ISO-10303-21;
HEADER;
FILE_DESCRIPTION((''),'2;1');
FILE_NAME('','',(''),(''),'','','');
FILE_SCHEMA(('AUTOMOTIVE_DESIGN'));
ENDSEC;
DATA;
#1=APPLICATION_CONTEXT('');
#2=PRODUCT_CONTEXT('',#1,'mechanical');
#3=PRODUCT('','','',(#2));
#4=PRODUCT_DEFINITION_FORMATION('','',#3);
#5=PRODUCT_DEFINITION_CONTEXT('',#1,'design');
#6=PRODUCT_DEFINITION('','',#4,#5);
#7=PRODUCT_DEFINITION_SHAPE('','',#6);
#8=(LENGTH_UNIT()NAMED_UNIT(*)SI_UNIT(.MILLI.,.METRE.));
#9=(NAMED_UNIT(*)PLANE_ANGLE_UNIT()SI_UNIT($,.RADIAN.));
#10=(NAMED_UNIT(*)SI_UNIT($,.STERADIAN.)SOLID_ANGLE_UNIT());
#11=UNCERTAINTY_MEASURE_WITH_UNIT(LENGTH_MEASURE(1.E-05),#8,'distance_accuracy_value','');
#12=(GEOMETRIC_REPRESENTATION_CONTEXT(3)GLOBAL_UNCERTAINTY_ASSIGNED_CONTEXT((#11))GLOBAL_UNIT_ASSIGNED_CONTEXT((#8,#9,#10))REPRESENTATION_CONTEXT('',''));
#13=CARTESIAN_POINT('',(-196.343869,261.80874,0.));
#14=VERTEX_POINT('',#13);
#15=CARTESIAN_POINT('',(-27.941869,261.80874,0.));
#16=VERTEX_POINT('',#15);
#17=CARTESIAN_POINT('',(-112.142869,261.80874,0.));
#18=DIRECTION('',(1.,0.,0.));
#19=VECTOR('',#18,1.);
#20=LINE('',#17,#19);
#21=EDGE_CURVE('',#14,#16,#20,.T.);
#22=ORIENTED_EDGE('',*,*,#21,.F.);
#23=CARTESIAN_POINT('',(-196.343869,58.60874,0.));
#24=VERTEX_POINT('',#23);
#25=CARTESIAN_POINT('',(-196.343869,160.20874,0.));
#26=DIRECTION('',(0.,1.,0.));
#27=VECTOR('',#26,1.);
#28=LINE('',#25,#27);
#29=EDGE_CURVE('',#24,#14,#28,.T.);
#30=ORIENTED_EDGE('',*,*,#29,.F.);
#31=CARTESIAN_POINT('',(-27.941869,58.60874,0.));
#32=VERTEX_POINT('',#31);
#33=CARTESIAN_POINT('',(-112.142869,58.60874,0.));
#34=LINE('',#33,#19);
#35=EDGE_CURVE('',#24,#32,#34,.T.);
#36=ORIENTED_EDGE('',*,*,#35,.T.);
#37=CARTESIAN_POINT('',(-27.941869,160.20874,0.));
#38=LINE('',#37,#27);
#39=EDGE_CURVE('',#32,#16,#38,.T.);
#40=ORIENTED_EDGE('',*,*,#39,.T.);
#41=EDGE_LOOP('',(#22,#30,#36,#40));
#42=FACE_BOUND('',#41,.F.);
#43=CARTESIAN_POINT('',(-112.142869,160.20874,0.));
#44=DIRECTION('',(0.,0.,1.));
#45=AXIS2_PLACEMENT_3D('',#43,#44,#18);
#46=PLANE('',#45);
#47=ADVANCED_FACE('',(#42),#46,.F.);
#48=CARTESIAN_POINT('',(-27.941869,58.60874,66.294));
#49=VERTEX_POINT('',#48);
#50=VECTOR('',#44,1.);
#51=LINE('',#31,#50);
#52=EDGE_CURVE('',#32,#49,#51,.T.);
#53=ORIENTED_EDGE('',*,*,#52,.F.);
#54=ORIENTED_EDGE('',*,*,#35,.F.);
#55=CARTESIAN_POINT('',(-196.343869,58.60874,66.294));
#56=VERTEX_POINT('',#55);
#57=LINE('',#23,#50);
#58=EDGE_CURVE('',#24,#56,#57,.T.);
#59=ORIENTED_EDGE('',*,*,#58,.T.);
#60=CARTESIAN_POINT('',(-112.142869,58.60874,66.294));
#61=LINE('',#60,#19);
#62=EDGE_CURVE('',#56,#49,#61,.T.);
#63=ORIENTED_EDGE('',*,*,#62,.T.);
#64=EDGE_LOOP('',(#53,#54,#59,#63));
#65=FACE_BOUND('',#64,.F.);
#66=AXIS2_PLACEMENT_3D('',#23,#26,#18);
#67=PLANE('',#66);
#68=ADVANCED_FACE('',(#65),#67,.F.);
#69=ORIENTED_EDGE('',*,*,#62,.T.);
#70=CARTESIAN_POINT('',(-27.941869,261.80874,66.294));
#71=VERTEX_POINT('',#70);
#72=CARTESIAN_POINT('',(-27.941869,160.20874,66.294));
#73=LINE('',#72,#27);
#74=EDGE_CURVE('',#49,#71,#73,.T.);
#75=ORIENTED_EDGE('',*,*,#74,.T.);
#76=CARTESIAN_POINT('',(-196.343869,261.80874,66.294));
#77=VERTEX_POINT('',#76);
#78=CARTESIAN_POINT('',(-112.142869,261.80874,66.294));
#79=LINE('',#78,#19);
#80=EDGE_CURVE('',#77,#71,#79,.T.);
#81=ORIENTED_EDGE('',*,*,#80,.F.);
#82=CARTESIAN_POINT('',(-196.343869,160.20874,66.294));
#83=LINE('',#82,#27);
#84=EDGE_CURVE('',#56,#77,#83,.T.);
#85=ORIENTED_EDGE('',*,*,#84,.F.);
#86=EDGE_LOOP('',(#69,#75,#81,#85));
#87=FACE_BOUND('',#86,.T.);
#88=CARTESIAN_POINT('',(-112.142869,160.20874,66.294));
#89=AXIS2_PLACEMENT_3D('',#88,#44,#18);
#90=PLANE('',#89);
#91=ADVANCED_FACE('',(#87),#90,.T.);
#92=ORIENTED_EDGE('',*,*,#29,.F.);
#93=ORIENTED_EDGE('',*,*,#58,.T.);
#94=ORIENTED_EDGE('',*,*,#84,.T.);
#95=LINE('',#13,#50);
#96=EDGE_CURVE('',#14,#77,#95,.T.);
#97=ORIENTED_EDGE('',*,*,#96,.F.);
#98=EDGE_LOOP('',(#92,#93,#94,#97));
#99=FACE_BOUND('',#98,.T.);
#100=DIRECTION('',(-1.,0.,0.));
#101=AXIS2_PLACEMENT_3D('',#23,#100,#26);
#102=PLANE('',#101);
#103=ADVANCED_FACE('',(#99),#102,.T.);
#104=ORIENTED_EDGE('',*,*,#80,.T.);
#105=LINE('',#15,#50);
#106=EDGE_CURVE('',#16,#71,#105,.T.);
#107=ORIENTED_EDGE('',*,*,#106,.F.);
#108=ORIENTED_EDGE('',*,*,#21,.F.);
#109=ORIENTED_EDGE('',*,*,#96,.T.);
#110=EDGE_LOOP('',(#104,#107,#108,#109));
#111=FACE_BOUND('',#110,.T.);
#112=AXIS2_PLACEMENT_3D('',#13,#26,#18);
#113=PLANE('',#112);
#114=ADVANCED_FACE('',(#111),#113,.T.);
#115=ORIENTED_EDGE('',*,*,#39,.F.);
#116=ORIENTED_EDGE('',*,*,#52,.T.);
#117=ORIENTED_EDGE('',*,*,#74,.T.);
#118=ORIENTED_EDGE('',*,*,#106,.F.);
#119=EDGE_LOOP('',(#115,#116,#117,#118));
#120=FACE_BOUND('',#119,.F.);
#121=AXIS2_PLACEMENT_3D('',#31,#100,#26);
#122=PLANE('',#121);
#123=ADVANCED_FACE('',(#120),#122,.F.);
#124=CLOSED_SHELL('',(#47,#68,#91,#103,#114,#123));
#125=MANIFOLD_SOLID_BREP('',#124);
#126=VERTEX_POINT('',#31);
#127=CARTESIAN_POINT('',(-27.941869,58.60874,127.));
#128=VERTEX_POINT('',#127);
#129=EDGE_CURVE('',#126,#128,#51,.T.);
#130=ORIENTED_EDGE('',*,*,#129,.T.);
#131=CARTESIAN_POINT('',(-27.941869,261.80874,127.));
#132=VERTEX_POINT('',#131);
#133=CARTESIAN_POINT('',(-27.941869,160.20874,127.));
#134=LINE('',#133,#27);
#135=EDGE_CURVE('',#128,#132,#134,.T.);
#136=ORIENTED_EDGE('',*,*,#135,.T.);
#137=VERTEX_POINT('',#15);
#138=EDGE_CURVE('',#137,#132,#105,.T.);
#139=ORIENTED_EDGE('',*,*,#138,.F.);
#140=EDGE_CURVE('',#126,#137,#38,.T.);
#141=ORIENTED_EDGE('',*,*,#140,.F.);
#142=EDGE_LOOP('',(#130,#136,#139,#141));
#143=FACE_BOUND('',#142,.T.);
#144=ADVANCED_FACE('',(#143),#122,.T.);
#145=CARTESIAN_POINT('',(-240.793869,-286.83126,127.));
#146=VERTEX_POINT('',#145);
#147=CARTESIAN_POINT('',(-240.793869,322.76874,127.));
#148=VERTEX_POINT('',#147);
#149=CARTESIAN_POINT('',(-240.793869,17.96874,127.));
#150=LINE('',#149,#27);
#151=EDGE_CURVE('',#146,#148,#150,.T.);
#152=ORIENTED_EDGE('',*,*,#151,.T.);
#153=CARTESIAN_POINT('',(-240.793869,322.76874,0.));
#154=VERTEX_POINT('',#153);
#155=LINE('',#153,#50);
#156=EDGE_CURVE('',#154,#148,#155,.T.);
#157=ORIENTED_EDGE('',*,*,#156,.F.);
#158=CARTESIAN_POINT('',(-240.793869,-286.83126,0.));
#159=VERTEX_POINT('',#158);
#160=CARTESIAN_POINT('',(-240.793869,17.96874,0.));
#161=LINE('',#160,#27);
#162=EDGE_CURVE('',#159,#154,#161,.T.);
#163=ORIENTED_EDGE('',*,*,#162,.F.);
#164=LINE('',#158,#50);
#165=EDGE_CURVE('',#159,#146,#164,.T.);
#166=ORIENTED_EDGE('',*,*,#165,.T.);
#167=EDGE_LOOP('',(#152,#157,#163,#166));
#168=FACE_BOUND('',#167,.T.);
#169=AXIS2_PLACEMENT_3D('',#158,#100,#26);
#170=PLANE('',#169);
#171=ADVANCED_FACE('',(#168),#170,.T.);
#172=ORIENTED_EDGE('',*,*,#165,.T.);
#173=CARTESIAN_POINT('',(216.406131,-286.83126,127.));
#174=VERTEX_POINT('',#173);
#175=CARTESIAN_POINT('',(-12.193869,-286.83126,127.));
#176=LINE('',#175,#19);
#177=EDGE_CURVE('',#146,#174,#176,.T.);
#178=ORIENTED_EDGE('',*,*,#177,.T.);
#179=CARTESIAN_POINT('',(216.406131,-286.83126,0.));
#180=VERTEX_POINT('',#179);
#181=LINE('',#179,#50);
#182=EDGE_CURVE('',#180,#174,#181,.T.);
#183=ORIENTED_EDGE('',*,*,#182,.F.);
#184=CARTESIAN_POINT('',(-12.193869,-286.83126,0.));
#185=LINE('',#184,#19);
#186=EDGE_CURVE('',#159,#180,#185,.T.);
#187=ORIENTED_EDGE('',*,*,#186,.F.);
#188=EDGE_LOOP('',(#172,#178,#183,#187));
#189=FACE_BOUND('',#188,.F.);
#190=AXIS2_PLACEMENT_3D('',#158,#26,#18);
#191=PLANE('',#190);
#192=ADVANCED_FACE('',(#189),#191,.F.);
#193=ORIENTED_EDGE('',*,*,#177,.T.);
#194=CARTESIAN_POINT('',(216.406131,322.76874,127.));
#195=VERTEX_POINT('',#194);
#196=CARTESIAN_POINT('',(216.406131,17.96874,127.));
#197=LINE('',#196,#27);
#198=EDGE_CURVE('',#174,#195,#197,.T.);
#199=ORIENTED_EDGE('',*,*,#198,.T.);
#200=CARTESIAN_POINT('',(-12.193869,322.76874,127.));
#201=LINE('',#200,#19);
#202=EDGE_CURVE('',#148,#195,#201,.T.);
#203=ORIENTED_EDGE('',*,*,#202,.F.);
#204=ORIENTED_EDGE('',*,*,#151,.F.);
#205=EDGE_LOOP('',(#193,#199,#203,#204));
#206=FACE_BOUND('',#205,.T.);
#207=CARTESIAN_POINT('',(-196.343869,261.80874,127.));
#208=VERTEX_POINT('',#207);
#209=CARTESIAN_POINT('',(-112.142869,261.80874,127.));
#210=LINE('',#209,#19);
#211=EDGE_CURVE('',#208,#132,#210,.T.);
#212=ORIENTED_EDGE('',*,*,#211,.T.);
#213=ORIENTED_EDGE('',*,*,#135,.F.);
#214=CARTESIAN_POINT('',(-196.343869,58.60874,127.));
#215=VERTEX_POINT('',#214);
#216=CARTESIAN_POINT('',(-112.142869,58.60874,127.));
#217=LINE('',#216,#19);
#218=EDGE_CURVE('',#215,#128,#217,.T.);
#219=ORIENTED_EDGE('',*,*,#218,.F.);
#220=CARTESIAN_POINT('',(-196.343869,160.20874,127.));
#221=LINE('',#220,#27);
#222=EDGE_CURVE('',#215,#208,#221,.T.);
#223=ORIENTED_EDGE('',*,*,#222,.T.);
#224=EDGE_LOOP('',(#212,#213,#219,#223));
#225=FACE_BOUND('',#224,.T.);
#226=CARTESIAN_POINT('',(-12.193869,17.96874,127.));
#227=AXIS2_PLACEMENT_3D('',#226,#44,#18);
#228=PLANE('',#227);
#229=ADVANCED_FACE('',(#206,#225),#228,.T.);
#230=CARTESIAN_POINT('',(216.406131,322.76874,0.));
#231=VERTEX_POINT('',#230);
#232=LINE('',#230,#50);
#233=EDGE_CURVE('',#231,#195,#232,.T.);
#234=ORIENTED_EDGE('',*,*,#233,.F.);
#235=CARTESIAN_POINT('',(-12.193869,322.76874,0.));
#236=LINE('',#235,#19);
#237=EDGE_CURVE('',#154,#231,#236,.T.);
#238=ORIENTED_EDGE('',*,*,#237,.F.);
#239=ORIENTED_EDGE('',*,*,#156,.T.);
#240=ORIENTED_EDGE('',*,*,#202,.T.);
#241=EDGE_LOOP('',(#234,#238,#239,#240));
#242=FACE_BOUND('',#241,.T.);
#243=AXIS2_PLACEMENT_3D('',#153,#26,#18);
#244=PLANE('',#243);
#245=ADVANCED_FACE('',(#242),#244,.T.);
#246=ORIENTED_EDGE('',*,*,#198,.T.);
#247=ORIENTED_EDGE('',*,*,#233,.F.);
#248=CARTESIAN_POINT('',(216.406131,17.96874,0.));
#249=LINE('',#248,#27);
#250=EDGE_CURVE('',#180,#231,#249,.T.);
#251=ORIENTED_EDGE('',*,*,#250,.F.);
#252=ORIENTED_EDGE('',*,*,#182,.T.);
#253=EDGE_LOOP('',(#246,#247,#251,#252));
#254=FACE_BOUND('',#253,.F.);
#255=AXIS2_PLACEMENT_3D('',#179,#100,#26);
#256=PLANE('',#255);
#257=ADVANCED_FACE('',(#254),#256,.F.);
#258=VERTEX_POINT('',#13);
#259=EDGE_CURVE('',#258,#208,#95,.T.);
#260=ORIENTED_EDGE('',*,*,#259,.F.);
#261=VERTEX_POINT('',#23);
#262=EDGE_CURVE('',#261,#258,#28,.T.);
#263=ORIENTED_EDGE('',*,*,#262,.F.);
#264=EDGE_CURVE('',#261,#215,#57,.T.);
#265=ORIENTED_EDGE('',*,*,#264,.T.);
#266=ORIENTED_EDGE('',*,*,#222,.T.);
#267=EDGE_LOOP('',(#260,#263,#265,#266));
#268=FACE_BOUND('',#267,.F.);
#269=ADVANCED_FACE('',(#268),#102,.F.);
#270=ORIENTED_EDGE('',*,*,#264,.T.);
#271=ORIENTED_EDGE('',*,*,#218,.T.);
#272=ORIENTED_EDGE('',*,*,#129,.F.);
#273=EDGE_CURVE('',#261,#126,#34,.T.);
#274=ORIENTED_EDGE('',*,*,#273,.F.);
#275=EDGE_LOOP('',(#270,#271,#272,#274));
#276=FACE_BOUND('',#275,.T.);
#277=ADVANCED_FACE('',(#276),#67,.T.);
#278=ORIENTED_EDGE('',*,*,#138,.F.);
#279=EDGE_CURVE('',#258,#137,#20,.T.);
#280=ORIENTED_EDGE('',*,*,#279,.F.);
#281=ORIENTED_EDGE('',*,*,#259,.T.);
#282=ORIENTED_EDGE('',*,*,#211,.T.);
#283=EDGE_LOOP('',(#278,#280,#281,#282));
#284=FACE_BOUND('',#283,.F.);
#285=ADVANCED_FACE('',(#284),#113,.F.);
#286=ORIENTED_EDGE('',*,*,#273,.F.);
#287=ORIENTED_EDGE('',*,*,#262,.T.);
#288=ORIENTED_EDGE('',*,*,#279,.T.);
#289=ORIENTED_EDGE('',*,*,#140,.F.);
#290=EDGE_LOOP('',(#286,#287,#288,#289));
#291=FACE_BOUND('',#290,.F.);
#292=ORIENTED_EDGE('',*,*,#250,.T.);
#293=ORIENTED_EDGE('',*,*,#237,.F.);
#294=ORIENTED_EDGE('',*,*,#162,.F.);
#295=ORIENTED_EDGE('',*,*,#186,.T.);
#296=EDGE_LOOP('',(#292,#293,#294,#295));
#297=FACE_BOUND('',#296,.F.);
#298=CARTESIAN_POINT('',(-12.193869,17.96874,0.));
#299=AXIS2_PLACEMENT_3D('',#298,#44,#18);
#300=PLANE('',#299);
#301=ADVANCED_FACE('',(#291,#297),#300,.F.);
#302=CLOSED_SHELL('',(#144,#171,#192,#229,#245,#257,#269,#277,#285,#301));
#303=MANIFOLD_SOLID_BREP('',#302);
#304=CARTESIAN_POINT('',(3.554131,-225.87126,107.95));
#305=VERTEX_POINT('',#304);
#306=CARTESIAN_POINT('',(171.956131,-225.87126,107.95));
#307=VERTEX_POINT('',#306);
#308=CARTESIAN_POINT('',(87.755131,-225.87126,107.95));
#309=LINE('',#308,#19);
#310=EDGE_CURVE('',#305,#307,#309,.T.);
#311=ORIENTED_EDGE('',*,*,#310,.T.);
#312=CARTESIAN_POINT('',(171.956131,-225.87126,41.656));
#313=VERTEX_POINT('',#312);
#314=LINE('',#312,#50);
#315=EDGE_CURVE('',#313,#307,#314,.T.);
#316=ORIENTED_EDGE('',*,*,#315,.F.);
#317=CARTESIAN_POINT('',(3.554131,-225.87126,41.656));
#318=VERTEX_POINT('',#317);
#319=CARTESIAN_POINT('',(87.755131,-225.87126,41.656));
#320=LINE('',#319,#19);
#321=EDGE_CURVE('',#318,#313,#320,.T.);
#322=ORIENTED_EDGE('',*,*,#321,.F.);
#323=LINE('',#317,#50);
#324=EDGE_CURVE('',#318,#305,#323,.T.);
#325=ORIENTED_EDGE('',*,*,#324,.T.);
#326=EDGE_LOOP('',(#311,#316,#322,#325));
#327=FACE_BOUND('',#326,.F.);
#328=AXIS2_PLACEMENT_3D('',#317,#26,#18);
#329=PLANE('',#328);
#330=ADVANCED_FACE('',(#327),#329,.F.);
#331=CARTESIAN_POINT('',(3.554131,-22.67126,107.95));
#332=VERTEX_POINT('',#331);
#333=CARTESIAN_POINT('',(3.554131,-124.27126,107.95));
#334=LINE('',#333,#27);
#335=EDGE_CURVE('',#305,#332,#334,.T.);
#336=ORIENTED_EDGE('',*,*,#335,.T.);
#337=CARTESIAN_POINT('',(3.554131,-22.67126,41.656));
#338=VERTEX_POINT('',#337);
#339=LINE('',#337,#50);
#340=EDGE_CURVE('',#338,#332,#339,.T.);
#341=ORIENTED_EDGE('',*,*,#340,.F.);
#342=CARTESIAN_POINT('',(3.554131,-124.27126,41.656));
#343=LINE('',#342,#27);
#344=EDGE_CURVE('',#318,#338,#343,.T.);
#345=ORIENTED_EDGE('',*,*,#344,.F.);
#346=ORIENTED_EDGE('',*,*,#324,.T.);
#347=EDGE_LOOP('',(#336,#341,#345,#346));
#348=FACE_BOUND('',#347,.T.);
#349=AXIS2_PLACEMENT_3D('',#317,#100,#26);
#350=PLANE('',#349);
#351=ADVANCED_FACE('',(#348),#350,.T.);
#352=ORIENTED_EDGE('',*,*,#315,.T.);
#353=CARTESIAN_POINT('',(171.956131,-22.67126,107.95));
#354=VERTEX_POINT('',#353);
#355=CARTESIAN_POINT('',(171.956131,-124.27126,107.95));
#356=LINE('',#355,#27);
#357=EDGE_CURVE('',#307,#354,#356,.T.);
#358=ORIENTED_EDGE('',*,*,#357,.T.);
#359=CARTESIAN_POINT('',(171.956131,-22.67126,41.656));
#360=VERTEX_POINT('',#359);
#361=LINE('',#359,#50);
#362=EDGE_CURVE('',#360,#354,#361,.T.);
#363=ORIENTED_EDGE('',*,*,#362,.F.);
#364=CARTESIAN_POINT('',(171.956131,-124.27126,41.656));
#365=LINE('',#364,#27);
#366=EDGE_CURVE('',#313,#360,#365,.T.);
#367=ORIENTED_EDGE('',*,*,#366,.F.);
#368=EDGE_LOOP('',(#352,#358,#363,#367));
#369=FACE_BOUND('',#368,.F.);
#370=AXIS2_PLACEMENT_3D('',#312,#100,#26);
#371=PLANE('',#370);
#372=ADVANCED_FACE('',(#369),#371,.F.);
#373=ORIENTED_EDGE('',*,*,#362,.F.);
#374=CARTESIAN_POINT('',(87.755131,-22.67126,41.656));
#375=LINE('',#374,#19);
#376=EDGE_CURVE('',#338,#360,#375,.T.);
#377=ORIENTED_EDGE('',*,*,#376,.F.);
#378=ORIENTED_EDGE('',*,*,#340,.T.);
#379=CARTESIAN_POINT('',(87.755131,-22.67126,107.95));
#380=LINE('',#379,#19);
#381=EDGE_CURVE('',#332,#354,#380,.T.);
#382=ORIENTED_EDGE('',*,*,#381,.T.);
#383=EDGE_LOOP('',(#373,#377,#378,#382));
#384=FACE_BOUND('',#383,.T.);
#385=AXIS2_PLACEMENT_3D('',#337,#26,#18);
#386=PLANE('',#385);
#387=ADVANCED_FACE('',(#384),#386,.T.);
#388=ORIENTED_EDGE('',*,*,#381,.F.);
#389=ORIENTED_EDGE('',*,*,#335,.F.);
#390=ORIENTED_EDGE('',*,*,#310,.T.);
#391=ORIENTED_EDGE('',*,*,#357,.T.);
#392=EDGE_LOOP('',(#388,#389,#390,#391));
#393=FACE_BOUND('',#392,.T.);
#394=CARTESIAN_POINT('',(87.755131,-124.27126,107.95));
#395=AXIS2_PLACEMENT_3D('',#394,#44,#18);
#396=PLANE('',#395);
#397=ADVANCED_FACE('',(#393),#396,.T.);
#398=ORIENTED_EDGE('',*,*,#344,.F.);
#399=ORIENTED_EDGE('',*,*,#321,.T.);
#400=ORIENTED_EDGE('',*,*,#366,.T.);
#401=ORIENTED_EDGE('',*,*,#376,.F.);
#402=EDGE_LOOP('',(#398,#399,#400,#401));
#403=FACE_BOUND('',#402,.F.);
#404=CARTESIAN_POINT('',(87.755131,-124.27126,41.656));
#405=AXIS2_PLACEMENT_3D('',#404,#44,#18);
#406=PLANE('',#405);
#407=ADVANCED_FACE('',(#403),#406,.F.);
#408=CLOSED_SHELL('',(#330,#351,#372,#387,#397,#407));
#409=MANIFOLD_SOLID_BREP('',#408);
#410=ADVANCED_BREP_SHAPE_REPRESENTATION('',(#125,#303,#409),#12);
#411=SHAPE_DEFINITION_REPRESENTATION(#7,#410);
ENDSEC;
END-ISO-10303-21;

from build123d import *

# Parameters (mm, degrees)
F0_W     = 168.402
F0_H     = 203.2
F2_W     = 168.402
F2_H     = 203.2
F3_DEPTH = 66.294
F0_W_2   = 457.2
F0_H_2   = 609.6
F4_DEPTH = 127


with BuildPart() as f3:
    # F0 (on Top) + F2 (on offset) → F3 (new body)
    with BuildSketch(Plane.XY):
        with Locations((-112.142869, 160.20874)):
            Rectangle(F0_W, F0_H)
    with BuildSketch(Plane.XY.offset(41.656)):
        with Locations((87.755131, -124.27126)):
            Rectangle(F2_W, F2_H)
    extrude(amount=F3_DEPTH)


with BuildPart() as f4:
    # F0 (on Top) → F4 (new body)
    with BuildSketch(Plane.XY):
        with Locations((-12.193869, 17.96874)):
            Rectangle(F0_W_2, F0_H_2)
        with Locations((-112.142869, 160.20874)):
            Rectangle(F0_W, F0_H, mode=Mode.SUBTRACT)
    extrude(amount=F4_DEPTH)


solid = Compound([f3.part, f4.part])
